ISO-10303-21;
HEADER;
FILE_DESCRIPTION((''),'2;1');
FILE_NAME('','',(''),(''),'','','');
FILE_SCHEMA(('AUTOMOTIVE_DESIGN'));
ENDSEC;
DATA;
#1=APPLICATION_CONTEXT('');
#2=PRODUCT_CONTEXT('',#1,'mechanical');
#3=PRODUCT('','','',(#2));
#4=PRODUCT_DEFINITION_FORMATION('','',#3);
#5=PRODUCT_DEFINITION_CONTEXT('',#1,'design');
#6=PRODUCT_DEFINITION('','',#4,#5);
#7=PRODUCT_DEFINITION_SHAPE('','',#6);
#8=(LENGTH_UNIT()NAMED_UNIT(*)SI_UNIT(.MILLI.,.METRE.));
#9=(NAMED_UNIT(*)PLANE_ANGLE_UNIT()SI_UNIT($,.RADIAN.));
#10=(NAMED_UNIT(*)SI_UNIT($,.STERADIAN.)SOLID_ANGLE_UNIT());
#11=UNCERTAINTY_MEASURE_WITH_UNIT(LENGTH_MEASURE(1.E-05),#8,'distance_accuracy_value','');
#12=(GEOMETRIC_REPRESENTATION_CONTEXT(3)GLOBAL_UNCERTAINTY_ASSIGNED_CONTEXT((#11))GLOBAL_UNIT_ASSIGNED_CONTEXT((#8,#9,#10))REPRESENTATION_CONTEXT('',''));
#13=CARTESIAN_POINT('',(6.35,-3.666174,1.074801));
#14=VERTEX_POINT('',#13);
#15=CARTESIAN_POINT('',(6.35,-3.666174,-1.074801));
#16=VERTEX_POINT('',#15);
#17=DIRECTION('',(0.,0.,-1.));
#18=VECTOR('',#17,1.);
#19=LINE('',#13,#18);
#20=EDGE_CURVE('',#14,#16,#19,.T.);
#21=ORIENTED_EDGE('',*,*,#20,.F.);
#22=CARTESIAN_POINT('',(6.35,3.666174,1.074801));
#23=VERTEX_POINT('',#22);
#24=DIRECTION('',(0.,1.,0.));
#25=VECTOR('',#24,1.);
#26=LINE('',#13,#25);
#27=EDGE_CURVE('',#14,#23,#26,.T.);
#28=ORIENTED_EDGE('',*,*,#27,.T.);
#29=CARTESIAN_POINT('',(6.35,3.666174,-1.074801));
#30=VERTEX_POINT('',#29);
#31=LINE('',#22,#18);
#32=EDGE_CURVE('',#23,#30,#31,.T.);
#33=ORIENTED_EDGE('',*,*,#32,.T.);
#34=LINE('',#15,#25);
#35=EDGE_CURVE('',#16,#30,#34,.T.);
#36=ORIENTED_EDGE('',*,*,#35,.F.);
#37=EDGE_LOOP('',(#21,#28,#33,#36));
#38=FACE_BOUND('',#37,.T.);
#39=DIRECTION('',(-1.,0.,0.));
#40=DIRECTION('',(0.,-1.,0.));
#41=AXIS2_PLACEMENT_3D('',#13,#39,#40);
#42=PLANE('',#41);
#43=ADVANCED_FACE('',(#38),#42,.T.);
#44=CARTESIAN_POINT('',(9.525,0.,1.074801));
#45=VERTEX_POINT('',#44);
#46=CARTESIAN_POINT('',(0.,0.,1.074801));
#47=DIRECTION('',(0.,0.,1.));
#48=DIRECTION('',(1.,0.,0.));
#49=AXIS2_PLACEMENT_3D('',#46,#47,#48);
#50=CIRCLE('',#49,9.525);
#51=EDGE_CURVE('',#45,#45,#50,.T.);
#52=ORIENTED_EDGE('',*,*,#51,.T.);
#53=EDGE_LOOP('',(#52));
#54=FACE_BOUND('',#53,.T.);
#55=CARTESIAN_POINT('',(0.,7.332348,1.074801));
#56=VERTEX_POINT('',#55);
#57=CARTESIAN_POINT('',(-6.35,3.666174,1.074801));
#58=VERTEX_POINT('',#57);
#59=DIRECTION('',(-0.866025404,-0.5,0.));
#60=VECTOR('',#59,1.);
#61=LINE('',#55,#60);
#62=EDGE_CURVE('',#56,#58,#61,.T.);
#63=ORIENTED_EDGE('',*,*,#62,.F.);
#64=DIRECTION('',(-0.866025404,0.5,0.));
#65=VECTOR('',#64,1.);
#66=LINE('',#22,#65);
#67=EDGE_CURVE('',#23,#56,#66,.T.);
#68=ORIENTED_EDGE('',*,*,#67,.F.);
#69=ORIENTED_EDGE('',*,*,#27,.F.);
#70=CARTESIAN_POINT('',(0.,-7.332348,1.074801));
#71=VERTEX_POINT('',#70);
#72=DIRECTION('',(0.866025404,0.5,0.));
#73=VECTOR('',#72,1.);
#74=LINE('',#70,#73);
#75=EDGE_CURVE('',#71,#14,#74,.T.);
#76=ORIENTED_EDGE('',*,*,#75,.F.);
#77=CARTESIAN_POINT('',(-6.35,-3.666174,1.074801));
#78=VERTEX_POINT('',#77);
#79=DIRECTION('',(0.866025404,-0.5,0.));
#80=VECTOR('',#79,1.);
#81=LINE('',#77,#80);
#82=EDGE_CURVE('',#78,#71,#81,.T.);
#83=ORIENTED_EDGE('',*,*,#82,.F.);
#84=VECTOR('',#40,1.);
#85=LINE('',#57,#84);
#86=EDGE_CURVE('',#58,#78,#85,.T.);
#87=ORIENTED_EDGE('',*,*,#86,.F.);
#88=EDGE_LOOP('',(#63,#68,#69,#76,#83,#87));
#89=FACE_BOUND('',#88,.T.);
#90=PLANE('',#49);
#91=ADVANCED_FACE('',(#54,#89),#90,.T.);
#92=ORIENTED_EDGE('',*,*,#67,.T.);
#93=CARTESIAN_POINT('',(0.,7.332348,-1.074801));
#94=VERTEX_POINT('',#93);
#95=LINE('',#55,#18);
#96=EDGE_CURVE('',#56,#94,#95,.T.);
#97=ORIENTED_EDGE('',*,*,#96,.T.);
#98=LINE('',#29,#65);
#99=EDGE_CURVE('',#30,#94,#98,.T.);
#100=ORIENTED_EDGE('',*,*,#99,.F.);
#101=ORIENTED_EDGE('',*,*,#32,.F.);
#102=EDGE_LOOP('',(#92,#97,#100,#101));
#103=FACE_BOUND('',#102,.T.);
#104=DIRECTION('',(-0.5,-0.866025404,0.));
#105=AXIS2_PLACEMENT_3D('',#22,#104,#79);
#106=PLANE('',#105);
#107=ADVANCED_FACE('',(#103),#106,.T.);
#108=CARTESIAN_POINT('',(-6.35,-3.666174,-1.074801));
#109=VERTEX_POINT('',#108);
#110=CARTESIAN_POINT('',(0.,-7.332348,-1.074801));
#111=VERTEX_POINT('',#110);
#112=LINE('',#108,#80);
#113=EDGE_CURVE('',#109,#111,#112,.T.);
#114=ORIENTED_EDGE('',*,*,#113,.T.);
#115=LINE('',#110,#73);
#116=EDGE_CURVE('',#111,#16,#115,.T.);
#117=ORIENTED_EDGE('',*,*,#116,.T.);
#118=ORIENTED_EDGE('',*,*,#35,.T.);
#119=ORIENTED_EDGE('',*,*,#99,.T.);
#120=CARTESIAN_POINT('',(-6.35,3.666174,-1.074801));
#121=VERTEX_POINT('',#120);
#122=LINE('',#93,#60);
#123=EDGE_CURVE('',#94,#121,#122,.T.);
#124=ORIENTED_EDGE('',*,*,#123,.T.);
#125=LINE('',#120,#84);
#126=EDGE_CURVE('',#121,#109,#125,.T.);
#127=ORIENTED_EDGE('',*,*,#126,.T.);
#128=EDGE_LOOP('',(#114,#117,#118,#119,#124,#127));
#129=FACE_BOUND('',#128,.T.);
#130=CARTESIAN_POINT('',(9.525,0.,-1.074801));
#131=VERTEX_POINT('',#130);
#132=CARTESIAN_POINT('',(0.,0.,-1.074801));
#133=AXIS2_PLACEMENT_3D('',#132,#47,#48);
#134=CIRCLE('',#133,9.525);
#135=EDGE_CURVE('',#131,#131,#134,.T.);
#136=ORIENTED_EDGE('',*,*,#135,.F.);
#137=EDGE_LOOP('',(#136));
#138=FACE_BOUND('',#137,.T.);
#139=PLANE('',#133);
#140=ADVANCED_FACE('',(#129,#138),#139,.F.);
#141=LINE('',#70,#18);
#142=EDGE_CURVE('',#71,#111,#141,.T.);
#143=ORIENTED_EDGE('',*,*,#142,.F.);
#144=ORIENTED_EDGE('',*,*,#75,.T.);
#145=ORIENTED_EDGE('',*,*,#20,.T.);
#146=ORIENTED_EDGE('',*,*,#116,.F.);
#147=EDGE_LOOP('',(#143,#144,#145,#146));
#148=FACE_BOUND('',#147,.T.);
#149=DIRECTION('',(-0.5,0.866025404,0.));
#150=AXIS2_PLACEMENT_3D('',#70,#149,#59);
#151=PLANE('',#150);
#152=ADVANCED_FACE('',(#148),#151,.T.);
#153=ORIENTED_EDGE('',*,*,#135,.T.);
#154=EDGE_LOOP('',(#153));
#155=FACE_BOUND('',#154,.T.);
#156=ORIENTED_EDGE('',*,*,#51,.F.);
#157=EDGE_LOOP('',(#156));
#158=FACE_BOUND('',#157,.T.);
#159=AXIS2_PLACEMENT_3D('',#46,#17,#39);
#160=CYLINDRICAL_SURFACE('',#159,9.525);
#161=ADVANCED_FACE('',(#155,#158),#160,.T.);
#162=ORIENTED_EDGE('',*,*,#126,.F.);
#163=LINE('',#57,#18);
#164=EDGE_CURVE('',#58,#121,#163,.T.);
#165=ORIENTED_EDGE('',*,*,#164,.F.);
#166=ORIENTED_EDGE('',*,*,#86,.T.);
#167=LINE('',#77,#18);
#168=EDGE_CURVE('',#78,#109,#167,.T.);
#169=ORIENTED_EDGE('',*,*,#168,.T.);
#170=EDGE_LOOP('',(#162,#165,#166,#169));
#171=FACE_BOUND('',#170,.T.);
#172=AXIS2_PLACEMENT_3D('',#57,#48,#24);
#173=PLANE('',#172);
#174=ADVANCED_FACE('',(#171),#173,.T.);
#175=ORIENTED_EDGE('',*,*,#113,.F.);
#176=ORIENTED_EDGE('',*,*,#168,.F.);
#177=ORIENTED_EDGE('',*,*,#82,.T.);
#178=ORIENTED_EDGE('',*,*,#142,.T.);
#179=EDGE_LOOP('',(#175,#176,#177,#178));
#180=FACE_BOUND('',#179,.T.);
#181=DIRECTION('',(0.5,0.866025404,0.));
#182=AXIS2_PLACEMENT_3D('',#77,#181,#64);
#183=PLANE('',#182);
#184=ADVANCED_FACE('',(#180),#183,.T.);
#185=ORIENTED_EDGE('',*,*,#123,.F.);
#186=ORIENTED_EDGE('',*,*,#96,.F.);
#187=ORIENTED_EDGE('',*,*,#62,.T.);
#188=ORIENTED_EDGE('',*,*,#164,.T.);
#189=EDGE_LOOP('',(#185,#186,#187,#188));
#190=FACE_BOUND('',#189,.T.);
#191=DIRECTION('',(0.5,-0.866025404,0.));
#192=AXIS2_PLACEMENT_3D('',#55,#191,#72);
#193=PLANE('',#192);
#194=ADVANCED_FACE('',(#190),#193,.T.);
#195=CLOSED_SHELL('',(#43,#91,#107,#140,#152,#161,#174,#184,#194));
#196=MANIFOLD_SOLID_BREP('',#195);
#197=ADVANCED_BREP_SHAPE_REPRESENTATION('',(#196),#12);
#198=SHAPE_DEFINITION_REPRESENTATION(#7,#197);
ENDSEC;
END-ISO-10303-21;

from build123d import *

# Parameters (mm, degrees)
SKETCH1_R           = 9.525
BOSS_EXTRUDE1_DEPTH = 1.074801


with BuildPart() as part:
    # Sketch1 → Boss-Extrude1 (new, symmetric)
    with BuildSketch(Plane.XY):
        Circle(SKETCH1_R)
        Polygon((0, 7.332348419), (-6.35, 3.666174209), (-6.35, -3.666174209), (0, -7.332348419), (6.35, -3.666174209), (6.35, 3.666174209), align=None, mode=Mode.SUBTRACT)
    extrude(amount=BOSS_EXTRUDE1_DEPTH, both=True)


solid = part.part
